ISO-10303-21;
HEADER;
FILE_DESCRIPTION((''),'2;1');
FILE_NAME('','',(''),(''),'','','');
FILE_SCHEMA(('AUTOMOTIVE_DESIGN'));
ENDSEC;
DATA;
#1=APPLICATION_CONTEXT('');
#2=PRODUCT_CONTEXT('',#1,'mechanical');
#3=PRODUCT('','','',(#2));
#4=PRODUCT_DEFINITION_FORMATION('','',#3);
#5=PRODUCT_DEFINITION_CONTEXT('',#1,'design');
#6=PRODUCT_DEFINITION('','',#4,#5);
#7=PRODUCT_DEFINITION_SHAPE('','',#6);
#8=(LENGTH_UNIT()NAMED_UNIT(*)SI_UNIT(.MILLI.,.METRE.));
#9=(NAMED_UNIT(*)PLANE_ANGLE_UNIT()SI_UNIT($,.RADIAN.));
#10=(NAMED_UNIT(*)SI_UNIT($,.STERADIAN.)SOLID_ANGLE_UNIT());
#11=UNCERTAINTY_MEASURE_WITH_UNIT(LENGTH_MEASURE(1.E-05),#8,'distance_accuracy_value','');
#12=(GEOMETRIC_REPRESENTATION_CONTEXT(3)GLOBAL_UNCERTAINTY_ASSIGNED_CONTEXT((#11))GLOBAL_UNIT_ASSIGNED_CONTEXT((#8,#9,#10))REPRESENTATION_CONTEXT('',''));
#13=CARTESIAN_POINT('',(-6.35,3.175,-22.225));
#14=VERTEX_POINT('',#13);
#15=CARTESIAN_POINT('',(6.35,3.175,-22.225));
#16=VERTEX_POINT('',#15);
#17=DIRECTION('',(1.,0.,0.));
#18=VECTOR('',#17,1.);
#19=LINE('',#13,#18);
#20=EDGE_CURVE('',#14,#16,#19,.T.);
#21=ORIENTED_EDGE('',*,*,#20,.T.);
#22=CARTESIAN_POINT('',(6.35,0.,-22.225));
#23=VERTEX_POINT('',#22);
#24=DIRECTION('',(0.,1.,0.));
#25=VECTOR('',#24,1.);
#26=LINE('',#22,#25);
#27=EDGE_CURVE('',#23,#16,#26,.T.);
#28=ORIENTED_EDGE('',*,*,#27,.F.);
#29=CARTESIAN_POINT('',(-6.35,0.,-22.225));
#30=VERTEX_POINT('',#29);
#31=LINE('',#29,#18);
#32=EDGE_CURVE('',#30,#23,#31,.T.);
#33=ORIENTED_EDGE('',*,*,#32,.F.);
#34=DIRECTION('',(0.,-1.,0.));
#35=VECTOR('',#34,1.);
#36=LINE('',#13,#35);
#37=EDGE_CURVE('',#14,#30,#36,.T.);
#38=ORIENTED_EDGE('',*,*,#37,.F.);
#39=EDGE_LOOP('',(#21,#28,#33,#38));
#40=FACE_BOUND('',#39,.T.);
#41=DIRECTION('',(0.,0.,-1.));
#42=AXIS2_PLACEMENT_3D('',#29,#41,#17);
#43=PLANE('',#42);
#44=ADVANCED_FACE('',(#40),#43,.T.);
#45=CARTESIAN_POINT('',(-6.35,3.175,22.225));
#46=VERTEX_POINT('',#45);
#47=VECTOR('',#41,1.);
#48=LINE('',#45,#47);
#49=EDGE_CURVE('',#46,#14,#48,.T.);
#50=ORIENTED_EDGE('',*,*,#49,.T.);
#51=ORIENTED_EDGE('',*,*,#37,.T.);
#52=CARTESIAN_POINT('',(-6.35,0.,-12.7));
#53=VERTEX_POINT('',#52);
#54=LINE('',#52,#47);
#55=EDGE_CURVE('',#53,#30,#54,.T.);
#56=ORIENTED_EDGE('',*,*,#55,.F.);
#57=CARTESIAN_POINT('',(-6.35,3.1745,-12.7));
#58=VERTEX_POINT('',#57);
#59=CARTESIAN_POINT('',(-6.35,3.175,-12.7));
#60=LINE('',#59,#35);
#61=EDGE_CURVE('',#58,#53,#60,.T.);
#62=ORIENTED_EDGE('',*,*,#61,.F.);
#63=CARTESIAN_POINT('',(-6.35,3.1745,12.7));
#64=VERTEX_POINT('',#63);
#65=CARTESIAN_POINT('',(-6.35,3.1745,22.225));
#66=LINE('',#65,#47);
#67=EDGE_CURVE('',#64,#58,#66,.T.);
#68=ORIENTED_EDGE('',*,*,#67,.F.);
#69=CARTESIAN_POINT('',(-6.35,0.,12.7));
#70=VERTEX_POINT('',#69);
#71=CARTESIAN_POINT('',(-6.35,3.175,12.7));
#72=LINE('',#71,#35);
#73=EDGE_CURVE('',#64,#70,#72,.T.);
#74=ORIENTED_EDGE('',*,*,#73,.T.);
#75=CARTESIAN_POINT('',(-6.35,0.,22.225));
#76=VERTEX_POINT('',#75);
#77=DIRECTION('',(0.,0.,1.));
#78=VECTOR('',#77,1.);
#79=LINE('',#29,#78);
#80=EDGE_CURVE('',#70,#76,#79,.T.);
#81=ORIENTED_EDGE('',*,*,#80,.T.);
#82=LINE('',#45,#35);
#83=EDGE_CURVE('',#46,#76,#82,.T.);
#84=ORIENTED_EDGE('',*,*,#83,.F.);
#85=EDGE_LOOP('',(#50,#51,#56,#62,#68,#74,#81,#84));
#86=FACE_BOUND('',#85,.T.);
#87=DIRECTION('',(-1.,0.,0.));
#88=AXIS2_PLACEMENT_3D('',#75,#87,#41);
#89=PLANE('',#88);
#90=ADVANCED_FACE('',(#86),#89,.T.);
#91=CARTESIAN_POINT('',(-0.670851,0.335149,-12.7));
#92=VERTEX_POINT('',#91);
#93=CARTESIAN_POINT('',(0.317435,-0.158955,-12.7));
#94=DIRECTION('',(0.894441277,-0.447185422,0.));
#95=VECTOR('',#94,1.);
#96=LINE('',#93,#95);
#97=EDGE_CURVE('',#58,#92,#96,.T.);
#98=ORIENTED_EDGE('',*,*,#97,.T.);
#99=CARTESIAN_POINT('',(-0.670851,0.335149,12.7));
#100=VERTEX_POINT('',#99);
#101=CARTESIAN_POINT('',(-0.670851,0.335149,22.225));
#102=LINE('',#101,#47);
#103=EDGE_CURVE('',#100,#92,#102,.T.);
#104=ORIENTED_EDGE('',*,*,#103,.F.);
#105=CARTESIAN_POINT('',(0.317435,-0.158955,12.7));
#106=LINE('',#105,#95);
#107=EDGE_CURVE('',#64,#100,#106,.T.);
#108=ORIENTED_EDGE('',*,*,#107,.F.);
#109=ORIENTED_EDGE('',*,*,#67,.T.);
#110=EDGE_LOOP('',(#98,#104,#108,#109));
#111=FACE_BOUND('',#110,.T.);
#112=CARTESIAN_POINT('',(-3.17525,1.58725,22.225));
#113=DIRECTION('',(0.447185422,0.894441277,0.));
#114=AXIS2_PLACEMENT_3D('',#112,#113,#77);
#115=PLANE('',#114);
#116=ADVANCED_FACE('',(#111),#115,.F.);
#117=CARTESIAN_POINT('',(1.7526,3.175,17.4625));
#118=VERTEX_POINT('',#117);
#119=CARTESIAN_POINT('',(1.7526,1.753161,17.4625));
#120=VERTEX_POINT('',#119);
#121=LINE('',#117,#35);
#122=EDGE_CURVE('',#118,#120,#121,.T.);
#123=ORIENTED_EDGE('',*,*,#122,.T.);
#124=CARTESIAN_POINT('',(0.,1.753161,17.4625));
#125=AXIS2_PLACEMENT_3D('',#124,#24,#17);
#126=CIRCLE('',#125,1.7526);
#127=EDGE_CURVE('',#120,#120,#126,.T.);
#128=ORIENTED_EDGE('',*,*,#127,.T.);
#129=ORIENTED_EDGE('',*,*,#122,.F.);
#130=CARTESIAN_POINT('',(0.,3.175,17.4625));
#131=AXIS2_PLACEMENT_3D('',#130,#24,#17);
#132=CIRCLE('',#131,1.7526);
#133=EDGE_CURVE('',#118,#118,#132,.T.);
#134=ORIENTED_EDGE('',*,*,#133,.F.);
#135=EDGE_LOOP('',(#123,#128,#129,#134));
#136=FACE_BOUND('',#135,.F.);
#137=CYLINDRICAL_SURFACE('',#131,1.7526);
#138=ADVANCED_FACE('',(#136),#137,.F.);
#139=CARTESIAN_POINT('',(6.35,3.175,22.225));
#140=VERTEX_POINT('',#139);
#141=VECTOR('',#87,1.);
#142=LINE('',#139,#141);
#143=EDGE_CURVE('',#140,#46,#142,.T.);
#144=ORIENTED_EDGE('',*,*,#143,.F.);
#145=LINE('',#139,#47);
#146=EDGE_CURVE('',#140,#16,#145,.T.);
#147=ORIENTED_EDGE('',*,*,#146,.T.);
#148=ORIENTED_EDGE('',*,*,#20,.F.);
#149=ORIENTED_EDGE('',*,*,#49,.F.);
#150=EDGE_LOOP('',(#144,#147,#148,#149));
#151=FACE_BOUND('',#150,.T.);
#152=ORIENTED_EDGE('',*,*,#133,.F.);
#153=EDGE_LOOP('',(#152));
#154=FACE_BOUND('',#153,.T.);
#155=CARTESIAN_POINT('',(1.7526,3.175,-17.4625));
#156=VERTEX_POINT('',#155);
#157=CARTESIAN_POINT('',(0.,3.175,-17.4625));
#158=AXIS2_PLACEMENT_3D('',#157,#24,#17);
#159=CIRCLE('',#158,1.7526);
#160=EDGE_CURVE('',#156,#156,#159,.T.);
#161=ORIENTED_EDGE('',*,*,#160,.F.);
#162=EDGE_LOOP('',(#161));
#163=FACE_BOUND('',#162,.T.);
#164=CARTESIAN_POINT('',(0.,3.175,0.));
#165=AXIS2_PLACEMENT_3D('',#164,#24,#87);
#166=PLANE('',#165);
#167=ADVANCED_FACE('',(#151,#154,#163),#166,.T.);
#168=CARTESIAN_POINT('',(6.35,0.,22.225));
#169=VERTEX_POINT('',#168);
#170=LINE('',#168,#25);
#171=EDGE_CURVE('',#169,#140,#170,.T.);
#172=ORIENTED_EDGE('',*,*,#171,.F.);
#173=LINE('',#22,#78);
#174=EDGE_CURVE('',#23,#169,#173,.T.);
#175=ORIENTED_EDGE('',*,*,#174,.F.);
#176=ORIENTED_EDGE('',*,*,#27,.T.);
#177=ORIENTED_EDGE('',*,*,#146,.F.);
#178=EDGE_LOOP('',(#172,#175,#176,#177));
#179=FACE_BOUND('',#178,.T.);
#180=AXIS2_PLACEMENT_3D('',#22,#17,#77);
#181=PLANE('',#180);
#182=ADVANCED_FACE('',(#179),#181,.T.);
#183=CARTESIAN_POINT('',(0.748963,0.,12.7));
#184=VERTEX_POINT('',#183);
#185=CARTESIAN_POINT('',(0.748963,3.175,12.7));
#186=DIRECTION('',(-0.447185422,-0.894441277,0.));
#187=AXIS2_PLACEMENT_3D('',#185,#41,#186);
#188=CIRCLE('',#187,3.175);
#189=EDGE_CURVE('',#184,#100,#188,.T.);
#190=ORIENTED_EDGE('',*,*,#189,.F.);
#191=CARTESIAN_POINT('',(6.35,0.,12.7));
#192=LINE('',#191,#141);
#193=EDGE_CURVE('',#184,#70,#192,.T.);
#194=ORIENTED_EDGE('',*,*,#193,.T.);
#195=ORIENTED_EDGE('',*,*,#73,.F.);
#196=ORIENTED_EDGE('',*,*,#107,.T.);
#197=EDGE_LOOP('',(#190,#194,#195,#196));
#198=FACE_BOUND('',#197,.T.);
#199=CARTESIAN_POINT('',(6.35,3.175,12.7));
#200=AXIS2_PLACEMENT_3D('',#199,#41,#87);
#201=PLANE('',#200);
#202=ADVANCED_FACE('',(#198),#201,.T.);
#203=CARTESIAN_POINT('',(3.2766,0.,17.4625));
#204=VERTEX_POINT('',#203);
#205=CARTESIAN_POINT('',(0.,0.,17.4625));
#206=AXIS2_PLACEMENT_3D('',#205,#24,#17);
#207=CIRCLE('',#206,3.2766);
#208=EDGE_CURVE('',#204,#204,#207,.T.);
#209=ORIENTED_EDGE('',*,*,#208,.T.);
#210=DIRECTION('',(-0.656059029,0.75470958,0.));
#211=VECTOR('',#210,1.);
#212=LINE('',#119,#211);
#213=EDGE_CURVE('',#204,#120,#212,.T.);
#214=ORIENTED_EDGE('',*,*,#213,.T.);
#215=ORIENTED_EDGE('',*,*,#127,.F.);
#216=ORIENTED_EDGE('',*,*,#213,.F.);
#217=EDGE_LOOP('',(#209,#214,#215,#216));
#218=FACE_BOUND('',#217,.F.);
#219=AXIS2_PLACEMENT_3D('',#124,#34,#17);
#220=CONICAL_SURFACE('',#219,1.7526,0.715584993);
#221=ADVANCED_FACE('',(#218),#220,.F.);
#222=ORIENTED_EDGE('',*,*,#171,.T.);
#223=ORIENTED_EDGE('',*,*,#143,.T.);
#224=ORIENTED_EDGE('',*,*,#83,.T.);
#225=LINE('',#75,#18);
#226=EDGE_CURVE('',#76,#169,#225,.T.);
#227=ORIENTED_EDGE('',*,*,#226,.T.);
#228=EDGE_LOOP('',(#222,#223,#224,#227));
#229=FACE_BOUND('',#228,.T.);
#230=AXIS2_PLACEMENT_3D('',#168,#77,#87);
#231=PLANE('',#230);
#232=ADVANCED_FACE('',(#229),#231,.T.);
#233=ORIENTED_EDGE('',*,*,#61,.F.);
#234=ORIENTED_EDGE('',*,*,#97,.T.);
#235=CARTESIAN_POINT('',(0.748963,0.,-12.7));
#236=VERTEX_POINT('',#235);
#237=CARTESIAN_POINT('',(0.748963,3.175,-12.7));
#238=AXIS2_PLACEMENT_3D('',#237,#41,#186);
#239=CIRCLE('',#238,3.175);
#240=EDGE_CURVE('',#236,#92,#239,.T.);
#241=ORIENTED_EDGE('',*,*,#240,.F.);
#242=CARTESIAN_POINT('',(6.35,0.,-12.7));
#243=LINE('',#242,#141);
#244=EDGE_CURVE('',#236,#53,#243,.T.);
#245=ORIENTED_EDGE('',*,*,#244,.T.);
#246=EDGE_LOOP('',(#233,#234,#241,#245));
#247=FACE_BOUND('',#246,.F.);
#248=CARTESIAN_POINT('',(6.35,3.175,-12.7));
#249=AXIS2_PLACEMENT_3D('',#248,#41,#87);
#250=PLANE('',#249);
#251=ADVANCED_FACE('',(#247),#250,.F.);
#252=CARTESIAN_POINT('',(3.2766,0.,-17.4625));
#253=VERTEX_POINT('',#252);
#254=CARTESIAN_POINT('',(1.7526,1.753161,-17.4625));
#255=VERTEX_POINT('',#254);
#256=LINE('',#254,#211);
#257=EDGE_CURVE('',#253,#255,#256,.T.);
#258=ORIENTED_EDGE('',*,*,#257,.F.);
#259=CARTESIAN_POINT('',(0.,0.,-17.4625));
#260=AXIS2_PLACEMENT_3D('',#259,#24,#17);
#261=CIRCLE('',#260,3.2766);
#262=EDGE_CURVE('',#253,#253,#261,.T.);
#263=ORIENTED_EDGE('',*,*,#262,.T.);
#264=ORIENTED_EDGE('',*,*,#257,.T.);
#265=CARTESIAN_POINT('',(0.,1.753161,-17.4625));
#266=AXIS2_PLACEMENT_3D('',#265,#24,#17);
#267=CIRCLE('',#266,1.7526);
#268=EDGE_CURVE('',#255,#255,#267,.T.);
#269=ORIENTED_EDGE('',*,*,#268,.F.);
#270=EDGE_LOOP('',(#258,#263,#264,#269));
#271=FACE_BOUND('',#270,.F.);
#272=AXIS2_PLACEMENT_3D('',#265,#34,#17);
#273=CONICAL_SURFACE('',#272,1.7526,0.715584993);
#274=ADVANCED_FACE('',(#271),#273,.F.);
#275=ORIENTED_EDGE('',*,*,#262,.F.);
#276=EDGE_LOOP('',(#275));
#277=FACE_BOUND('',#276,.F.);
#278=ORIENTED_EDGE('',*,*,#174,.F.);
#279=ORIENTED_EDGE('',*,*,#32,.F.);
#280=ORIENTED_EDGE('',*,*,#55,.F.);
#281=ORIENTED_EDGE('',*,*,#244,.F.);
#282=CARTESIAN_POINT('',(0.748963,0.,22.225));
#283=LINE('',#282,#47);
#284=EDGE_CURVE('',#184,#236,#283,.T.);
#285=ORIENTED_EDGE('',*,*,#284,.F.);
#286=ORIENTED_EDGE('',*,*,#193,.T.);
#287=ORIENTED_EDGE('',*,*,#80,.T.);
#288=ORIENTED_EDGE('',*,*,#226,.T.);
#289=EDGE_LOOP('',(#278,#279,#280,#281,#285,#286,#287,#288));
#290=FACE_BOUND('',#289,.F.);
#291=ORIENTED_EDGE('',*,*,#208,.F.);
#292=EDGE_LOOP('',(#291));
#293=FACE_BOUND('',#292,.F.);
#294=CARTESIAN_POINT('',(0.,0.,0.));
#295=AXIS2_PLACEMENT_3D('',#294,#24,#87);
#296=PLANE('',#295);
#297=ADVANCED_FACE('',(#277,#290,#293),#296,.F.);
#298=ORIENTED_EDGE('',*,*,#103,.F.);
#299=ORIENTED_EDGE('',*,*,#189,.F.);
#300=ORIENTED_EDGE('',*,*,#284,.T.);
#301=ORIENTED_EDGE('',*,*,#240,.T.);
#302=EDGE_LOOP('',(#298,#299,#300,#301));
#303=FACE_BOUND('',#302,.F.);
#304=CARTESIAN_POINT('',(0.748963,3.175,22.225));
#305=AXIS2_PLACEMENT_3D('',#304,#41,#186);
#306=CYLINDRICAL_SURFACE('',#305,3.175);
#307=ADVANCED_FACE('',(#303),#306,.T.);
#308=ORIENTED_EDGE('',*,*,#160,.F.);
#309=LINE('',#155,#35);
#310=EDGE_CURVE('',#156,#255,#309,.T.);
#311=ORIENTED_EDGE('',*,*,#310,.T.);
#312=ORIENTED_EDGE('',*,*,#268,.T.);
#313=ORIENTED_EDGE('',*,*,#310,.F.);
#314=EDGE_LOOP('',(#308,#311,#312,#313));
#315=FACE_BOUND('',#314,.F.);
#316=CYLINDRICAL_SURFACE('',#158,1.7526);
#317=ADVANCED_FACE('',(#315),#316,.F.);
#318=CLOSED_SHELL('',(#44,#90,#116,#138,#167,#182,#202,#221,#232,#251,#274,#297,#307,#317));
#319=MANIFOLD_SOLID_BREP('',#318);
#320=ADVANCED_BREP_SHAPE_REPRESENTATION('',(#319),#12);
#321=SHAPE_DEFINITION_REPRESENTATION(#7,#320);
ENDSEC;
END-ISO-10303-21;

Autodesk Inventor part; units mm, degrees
ref_plane "YZ Plane" through (0, 0, 0) normal (1, 0, 0) x (0, 1, 0)
ref_plane "XZ Plane" through (0, 0, 0) normal (0, 1, 0) x (-1, 0, 0)
ref_plane "XY Plane" through (0, 0, 0) normal (0, 0, 1) x (1, 0, 0)
sketch "Sketch1" plane through (0, 0, 0) normal (0, 1, 0) x (-1, 0, 0)
  line L0 (-6.35, 22.225) -> (6.35, 22.225)
  line L1 (6.35, 22.225) -> (6.35, -22.225)
  line L2 (6.35, -22.225) -> (-6.35, -22.225)
  line L3 (-6.35, -22.225) -> (-6.35, 22.225)
  line L4 (-6.35, 22.225) -> (6.35, -22.225) construction
  line L5 (6.35, 22.225) -> (-6.35, -22.225) construction
  line L6 (-4.7625, 9.525) -> (4.7625, 9.525) construction
  line L7 (4.7625, 9.525) -> (4.7625, -9.525) construction
  line L8 (4.7625, -9.525) -> (-4.7625, -9.525) construction
  line L9 (-4.7625, -9.525) -> (-4.7625, 9.525) construction
  line L10 (-4.7625, 9.525) -> (4.7625, -9.525) construction
  line L11 (4.7625, 9.525) -> (-4.7625, -9.525) construction
  point P0 (0, 0)
  dimension "d0" = 12.7
  dimension "d1" = 44.45
  dimension "d2" = 9.525
  dimension "d3" = 19.05
extrude "Extrusion1" add sketch "Sketch1" along normal blind 3.175
chamfer "Chamfer1" distance 3.175 distance2 6.35 1 edges at (-6.35, 0, 0) measured on face at (-6.35, 1.0583, -7.4083)
fillet "Fillet1" radius 3.175 1 edges at (-0.0005, 0, 0)
sketch "Sketch2" plane through (0, 3.175, 0) normal (0, 1, 0) x (1, 0, 0)
  line L0 (0, -17.4625) -> (0, -17.4625) construction
  line L1 (0, -17.4625) -> (0, 17.4625) construction
  line L2 (0, 17.4625) -> (0, 17.4625) construction
  line L3 (0, 17.4625) -> (0, -17.4625) construction
  line L4 (0, -17.4625) -> (0, 17.4625) construction
  line L5 (0, -17.4625) -> (0, 17.4625) construction
  circle A0 centre (0, -17.4625) radius 1.7526
  circle A1 centre (0, 17.4625) radius 1.7526
  circle A2 centre (0, -17.4625) radius 1.7526
  circle A3 centre (0, 17.4625) radius 1.7526
  line L6 (6.35, 12.7) -> (-6.35, 12.7)
  line L7 (-6.35, 12.7) -> (-6.35, 22.225)
  line L8 (-6.35, 22.225) -> (6.35, 22.225)
  line L9 (6.35, 22.225) -> (6.35, 12.7)
  line L10 (6.35, 12.7) -> (-6.35, 22.225) construction
  line L11 (-6.35, 12.7) -> (6.35, 22.225) construction
  line L12 (-6.35, 22.225) -> (-6.35, -22.225) projected
  line L13 (-6.35, 0) -> (6.35, 0) construction
  line L14 (6.35, -22.225) -> (6.35, 22.225) projected
  line L15 (6.35, -12.7) -> (-6.35, -12.7)
  line L16 (-6.35, -12.7) -> (-6.35, -22.225)
  line L17 (-6.35, -22.225) -> (6.35, -22.225)
  line L18 (6.35, -22.225) -> (6.35, -12.7)
  line L19 (6.35, -12.7) -> (-6.35, -22.225) construction
  line L20 (-6.35, -12.7) -> (6.35, -22.225) construction
  point P0 (0, 0)
  point P1 (0, 17.4625)
  point P2 (0, -17.4625)
  point P3 (0, -17.4625)
  point P4 (0, -17.4625)
  point P5 (6.35, -12.7)
  point P6 (-6.35, -12.7)
  point P7 (-6.35, -22.225)
  dimension "d10" = 0
  dimension "d11" = 34.925
  dimension "d12" = 3.5052
  dimension "d15" = 34.925
  dimension "d18" = 0
  dimension "d21" = 12.7
  dimension "d22" = 9.525
extrude "Extrusion2" add sketch "Sketch2" against normal up to surface (3.175 mm away) contours A0 | A1 | L6 L7 L8 L9 | L14 L17 L12 L15
extrude "Extrusion3" cut sketch "Sketch2" against normal through all contours A0 | A1
chamfer "Chamfer2" distance 1.524 angle 49 2 edges at (-1.7526, 0, 17.4625) (-1.7526, 0, -17.4625) measured on face at (4.483, 0, 4.2333)
equation "\"d15\" = d11"
properties part number "ramp" material "UHMW, White"
